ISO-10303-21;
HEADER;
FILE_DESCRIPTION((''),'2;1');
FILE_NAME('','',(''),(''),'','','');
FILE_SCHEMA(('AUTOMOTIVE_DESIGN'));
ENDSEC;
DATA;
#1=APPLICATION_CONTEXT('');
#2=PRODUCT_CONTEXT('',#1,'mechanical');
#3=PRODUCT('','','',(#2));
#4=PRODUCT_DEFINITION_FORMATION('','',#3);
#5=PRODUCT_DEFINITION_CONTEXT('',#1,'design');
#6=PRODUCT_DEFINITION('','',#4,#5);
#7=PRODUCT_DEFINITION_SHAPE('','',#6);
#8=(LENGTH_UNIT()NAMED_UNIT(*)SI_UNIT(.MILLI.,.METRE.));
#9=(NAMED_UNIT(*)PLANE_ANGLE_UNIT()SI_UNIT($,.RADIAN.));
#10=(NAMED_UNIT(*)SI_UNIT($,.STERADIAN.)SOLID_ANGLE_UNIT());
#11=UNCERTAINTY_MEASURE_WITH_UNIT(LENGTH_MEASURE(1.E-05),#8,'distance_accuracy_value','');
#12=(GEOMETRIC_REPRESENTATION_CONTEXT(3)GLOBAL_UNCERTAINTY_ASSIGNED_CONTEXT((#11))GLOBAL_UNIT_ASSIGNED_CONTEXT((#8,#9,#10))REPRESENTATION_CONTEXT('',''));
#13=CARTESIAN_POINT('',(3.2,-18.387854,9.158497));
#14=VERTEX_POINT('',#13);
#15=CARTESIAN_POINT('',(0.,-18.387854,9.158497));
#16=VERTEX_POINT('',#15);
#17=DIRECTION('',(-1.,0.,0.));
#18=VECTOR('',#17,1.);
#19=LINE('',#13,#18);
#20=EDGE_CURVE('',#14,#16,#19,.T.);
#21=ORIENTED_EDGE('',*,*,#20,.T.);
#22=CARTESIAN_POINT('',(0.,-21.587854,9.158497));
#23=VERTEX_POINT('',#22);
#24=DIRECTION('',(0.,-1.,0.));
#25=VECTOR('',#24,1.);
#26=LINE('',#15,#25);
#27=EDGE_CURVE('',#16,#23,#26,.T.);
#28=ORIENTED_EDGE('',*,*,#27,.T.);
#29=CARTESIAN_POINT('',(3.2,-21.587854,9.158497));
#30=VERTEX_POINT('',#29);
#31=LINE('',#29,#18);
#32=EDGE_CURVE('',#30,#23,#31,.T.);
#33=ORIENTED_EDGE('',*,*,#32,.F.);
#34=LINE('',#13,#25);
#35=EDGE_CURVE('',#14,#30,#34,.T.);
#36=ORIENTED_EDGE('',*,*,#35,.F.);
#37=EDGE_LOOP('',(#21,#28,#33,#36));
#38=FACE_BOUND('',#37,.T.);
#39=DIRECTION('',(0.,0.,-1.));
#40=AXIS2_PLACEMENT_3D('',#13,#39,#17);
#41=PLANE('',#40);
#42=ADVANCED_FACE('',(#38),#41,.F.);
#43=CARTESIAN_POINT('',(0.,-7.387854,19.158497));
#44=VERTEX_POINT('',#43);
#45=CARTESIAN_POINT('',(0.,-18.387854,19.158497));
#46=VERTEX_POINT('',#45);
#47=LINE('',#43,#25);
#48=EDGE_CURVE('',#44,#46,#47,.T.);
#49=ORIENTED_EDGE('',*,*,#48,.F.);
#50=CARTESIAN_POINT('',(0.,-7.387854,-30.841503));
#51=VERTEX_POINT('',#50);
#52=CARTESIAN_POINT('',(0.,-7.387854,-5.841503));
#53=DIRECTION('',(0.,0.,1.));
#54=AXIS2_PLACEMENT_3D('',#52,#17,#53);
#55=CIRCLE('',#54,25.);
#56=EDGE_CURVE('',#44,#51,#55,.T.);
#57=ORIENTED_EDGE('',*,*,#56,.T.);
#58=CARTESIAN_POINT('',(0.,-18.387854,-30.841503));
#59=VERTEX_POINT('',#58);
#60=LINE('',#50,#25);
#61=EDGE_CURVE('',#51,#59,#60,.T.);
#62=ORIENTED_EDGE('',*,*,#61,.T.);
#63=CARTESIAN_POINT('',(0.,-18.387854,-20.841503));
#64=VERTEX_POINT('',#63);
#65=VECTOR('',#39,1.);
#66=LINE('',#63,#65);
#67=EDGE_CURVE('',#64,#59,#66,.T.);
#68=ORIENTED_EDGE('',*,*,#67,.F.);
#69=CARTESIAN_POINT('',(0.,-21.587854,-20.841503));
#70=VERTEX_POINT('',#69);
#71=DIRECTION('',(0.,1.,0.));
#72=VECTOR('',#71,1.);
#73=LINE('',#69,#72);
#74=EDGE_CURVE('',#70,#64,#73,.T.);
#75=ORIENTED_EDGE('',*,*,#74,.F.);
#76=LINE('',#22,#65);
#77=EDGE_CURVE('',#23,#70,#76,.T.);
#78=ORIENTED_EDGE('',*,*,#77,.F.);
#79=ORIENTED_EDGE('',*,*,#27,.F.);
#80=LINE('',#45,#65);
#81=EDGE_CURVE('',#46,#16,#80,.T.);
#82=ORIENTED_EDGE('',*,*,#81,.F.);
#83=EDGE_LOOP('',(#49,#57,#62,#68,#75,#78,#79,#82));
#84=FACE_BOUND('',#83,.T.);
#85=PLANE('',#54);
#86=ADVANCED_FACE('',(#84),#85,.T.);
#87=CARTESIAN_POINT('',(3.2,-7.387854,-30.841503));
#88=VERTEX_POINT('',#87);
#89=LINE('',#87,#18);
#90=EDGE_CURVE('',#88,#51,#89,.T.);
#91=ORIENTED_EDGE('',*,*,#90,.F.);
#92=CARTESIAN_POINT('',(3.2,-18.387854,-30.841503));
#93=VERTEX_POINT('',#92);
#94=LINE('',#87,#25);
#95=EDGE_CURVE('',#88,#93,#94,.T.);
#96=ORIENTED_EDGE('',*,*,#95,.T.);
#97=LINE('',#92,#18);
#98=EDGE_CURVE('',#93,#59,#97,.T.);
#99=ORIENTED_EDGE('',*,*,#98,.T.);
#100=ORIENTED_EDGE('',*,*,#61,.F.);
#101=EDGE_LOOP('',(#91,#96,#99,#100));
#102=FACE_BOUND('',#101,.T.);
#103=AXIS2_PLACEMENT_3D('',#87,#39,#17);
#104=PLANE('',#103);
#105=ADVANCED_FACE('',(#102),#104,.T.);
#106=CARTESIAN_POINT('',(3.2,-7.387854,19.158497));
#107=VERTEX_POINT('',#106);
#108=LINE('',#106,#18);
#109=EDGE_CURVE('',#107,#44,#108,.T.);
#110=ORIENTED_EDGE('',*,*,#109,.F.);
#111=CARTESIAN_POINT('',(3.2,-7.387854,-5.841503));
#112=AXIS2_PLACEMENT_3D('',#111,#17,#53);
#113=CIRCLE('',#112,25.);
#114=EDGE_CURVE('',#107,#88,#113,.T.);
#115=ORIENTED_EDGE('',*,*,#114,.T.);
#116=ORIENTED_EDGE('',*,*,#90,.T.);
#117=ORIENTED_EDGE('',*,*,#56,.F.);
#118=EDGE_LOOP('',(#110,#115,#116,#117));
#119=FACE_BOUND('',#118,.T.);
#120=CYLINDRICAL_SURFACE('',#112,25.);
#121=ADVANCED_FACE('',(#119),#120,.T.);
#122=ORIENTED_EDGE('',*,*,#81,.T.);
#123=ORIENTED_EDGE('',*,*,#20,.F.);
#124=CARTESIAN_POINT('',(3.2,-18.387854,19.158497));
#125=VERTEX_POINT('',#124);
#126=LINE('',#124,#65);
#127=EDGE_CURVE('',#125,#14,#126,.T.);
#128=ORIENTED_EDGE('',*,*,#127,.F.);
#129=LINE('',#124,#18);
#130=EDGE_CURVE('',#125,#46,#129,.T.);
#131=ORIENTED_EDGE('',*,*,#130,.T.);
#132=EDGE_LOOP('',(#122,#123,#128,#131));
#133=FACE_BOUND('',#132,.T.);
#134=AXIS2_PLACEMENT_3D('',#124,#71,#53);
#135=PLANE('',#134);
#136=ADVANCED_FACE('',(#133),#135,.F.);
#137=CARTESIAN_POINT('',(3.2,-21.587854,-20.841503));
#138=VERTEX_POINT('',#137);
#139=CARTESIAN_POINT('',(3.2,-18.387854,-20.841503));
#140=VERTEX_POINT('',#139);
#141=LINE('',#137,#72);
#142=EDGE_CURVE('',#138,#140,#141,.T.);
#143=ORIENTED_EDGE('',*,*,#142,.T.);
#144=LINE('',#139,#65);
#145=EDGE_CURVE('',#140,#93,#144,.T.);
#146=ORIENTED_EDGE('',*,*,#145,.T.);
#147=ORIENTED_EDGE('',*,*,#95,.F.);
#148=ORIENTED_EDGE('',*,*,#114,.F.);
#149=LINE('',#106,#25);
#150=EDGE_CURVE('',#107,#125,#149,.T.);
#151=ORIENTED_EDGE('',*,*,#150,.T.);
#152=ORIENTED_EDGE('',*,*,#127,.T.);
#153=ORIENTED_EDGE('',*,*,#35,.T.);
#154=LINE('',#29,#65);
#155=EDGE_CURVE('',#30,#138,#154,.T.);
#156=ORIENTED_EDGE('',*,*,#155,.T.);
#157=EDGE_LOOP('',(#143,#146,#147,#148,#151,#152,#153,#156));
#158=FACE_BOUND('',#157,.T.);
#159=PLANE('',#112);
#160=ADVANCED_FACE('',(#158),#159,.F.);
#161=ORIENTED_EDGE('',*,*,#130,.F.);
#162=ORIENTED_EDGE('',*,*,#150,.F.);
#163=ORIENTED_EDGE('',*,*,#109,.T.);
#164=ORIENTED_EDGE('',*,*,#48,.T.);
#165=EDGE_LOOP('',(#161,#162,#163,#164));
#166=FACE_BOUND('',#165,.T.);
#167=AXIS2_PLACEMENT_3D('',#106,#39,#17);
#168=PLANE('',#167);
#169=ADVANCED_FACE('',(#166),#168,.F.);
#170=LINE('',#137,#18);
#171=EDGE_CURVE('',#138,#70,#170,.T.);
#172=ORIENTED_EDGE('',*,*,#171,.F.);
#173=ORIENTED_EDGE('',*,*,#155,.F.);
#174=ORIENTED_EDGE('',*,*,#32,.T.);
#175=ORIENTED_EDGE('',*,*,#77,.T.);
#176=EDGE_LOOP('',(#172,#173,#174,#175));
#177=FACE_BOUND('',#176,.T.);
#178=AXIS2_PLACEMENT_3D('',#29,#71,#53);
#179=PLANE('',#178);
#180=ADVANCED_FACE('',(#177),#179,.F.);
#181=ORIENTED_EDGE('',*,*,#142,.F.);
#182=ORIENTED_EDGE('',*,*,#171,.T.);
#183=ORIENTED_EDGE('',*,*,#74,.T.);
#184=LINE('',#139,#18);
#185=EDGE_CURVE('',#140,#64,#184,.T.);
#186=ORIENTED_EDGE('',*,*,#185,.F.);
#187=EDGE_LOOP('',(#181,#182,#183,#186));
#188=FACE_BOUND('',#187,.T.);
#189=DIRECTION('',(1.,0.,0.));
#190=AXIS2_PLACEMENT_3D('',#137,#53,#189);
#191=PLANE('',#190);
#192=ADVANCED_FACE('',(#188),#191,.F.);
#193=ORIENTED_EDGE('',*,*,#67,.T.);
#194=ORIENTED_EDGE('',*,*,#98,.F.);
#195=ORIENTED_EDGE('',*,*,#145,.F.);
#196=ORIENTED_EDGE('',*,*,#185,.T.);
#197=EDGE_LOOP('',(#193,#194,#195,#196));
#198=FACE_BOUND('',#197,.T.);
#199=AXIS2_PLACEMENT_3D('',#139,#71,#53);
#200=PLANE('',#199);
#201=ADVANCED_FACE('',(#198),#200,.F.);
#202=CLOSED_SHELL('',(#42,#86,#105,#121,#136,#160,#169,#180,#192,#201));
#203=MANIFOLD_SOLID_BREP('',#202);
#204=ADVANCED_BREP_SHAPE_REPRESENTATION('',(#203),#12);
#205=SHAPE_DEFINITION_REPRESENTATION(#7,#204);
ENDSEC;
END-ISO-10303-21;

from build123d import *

# Parameters (mm, degrees)
BOSS_EXTRUDE1_DEPTH = 3.2


with BuildPart() as part:
    # Sketch1 → Boss-Extrude1 (new body)
    with BuildSketch(Plane(origin=(0, 0, 0), x_dir=(0, 0, -1), z_dir=(1, 0, 0))):
        with BuildLine():
            Line((20.841502971, -18.387853518), (30.841502971, -18.387853518))
            Line((30.841502971, -18.387853518), (30.841502971, -7.387853518))
            ThreePointArc((30.841502971, -7.387853518), (5.841502971, 17.612146482), (-19.158497029, -7.387853518))
            Line((-19.158497029, -7.387853518), (-19.158497029, -18.387853518))
            Line((-19.158497029, -18.387853518), (-9.158497029, -18.387853518))
            Line((-9.158497029, -18.387853518), (-9.158497029, -21.587853518))
            Line((-9.158497029, -21.587853518), (20.841502971, -21.587853518))
            Line((20.841502971, -21.587853518), (20.841502971, -18.387853518))
        make_face()
    extrude(amount=BOSS_EXTRUDE1_DEPTH)


solid = part.part
